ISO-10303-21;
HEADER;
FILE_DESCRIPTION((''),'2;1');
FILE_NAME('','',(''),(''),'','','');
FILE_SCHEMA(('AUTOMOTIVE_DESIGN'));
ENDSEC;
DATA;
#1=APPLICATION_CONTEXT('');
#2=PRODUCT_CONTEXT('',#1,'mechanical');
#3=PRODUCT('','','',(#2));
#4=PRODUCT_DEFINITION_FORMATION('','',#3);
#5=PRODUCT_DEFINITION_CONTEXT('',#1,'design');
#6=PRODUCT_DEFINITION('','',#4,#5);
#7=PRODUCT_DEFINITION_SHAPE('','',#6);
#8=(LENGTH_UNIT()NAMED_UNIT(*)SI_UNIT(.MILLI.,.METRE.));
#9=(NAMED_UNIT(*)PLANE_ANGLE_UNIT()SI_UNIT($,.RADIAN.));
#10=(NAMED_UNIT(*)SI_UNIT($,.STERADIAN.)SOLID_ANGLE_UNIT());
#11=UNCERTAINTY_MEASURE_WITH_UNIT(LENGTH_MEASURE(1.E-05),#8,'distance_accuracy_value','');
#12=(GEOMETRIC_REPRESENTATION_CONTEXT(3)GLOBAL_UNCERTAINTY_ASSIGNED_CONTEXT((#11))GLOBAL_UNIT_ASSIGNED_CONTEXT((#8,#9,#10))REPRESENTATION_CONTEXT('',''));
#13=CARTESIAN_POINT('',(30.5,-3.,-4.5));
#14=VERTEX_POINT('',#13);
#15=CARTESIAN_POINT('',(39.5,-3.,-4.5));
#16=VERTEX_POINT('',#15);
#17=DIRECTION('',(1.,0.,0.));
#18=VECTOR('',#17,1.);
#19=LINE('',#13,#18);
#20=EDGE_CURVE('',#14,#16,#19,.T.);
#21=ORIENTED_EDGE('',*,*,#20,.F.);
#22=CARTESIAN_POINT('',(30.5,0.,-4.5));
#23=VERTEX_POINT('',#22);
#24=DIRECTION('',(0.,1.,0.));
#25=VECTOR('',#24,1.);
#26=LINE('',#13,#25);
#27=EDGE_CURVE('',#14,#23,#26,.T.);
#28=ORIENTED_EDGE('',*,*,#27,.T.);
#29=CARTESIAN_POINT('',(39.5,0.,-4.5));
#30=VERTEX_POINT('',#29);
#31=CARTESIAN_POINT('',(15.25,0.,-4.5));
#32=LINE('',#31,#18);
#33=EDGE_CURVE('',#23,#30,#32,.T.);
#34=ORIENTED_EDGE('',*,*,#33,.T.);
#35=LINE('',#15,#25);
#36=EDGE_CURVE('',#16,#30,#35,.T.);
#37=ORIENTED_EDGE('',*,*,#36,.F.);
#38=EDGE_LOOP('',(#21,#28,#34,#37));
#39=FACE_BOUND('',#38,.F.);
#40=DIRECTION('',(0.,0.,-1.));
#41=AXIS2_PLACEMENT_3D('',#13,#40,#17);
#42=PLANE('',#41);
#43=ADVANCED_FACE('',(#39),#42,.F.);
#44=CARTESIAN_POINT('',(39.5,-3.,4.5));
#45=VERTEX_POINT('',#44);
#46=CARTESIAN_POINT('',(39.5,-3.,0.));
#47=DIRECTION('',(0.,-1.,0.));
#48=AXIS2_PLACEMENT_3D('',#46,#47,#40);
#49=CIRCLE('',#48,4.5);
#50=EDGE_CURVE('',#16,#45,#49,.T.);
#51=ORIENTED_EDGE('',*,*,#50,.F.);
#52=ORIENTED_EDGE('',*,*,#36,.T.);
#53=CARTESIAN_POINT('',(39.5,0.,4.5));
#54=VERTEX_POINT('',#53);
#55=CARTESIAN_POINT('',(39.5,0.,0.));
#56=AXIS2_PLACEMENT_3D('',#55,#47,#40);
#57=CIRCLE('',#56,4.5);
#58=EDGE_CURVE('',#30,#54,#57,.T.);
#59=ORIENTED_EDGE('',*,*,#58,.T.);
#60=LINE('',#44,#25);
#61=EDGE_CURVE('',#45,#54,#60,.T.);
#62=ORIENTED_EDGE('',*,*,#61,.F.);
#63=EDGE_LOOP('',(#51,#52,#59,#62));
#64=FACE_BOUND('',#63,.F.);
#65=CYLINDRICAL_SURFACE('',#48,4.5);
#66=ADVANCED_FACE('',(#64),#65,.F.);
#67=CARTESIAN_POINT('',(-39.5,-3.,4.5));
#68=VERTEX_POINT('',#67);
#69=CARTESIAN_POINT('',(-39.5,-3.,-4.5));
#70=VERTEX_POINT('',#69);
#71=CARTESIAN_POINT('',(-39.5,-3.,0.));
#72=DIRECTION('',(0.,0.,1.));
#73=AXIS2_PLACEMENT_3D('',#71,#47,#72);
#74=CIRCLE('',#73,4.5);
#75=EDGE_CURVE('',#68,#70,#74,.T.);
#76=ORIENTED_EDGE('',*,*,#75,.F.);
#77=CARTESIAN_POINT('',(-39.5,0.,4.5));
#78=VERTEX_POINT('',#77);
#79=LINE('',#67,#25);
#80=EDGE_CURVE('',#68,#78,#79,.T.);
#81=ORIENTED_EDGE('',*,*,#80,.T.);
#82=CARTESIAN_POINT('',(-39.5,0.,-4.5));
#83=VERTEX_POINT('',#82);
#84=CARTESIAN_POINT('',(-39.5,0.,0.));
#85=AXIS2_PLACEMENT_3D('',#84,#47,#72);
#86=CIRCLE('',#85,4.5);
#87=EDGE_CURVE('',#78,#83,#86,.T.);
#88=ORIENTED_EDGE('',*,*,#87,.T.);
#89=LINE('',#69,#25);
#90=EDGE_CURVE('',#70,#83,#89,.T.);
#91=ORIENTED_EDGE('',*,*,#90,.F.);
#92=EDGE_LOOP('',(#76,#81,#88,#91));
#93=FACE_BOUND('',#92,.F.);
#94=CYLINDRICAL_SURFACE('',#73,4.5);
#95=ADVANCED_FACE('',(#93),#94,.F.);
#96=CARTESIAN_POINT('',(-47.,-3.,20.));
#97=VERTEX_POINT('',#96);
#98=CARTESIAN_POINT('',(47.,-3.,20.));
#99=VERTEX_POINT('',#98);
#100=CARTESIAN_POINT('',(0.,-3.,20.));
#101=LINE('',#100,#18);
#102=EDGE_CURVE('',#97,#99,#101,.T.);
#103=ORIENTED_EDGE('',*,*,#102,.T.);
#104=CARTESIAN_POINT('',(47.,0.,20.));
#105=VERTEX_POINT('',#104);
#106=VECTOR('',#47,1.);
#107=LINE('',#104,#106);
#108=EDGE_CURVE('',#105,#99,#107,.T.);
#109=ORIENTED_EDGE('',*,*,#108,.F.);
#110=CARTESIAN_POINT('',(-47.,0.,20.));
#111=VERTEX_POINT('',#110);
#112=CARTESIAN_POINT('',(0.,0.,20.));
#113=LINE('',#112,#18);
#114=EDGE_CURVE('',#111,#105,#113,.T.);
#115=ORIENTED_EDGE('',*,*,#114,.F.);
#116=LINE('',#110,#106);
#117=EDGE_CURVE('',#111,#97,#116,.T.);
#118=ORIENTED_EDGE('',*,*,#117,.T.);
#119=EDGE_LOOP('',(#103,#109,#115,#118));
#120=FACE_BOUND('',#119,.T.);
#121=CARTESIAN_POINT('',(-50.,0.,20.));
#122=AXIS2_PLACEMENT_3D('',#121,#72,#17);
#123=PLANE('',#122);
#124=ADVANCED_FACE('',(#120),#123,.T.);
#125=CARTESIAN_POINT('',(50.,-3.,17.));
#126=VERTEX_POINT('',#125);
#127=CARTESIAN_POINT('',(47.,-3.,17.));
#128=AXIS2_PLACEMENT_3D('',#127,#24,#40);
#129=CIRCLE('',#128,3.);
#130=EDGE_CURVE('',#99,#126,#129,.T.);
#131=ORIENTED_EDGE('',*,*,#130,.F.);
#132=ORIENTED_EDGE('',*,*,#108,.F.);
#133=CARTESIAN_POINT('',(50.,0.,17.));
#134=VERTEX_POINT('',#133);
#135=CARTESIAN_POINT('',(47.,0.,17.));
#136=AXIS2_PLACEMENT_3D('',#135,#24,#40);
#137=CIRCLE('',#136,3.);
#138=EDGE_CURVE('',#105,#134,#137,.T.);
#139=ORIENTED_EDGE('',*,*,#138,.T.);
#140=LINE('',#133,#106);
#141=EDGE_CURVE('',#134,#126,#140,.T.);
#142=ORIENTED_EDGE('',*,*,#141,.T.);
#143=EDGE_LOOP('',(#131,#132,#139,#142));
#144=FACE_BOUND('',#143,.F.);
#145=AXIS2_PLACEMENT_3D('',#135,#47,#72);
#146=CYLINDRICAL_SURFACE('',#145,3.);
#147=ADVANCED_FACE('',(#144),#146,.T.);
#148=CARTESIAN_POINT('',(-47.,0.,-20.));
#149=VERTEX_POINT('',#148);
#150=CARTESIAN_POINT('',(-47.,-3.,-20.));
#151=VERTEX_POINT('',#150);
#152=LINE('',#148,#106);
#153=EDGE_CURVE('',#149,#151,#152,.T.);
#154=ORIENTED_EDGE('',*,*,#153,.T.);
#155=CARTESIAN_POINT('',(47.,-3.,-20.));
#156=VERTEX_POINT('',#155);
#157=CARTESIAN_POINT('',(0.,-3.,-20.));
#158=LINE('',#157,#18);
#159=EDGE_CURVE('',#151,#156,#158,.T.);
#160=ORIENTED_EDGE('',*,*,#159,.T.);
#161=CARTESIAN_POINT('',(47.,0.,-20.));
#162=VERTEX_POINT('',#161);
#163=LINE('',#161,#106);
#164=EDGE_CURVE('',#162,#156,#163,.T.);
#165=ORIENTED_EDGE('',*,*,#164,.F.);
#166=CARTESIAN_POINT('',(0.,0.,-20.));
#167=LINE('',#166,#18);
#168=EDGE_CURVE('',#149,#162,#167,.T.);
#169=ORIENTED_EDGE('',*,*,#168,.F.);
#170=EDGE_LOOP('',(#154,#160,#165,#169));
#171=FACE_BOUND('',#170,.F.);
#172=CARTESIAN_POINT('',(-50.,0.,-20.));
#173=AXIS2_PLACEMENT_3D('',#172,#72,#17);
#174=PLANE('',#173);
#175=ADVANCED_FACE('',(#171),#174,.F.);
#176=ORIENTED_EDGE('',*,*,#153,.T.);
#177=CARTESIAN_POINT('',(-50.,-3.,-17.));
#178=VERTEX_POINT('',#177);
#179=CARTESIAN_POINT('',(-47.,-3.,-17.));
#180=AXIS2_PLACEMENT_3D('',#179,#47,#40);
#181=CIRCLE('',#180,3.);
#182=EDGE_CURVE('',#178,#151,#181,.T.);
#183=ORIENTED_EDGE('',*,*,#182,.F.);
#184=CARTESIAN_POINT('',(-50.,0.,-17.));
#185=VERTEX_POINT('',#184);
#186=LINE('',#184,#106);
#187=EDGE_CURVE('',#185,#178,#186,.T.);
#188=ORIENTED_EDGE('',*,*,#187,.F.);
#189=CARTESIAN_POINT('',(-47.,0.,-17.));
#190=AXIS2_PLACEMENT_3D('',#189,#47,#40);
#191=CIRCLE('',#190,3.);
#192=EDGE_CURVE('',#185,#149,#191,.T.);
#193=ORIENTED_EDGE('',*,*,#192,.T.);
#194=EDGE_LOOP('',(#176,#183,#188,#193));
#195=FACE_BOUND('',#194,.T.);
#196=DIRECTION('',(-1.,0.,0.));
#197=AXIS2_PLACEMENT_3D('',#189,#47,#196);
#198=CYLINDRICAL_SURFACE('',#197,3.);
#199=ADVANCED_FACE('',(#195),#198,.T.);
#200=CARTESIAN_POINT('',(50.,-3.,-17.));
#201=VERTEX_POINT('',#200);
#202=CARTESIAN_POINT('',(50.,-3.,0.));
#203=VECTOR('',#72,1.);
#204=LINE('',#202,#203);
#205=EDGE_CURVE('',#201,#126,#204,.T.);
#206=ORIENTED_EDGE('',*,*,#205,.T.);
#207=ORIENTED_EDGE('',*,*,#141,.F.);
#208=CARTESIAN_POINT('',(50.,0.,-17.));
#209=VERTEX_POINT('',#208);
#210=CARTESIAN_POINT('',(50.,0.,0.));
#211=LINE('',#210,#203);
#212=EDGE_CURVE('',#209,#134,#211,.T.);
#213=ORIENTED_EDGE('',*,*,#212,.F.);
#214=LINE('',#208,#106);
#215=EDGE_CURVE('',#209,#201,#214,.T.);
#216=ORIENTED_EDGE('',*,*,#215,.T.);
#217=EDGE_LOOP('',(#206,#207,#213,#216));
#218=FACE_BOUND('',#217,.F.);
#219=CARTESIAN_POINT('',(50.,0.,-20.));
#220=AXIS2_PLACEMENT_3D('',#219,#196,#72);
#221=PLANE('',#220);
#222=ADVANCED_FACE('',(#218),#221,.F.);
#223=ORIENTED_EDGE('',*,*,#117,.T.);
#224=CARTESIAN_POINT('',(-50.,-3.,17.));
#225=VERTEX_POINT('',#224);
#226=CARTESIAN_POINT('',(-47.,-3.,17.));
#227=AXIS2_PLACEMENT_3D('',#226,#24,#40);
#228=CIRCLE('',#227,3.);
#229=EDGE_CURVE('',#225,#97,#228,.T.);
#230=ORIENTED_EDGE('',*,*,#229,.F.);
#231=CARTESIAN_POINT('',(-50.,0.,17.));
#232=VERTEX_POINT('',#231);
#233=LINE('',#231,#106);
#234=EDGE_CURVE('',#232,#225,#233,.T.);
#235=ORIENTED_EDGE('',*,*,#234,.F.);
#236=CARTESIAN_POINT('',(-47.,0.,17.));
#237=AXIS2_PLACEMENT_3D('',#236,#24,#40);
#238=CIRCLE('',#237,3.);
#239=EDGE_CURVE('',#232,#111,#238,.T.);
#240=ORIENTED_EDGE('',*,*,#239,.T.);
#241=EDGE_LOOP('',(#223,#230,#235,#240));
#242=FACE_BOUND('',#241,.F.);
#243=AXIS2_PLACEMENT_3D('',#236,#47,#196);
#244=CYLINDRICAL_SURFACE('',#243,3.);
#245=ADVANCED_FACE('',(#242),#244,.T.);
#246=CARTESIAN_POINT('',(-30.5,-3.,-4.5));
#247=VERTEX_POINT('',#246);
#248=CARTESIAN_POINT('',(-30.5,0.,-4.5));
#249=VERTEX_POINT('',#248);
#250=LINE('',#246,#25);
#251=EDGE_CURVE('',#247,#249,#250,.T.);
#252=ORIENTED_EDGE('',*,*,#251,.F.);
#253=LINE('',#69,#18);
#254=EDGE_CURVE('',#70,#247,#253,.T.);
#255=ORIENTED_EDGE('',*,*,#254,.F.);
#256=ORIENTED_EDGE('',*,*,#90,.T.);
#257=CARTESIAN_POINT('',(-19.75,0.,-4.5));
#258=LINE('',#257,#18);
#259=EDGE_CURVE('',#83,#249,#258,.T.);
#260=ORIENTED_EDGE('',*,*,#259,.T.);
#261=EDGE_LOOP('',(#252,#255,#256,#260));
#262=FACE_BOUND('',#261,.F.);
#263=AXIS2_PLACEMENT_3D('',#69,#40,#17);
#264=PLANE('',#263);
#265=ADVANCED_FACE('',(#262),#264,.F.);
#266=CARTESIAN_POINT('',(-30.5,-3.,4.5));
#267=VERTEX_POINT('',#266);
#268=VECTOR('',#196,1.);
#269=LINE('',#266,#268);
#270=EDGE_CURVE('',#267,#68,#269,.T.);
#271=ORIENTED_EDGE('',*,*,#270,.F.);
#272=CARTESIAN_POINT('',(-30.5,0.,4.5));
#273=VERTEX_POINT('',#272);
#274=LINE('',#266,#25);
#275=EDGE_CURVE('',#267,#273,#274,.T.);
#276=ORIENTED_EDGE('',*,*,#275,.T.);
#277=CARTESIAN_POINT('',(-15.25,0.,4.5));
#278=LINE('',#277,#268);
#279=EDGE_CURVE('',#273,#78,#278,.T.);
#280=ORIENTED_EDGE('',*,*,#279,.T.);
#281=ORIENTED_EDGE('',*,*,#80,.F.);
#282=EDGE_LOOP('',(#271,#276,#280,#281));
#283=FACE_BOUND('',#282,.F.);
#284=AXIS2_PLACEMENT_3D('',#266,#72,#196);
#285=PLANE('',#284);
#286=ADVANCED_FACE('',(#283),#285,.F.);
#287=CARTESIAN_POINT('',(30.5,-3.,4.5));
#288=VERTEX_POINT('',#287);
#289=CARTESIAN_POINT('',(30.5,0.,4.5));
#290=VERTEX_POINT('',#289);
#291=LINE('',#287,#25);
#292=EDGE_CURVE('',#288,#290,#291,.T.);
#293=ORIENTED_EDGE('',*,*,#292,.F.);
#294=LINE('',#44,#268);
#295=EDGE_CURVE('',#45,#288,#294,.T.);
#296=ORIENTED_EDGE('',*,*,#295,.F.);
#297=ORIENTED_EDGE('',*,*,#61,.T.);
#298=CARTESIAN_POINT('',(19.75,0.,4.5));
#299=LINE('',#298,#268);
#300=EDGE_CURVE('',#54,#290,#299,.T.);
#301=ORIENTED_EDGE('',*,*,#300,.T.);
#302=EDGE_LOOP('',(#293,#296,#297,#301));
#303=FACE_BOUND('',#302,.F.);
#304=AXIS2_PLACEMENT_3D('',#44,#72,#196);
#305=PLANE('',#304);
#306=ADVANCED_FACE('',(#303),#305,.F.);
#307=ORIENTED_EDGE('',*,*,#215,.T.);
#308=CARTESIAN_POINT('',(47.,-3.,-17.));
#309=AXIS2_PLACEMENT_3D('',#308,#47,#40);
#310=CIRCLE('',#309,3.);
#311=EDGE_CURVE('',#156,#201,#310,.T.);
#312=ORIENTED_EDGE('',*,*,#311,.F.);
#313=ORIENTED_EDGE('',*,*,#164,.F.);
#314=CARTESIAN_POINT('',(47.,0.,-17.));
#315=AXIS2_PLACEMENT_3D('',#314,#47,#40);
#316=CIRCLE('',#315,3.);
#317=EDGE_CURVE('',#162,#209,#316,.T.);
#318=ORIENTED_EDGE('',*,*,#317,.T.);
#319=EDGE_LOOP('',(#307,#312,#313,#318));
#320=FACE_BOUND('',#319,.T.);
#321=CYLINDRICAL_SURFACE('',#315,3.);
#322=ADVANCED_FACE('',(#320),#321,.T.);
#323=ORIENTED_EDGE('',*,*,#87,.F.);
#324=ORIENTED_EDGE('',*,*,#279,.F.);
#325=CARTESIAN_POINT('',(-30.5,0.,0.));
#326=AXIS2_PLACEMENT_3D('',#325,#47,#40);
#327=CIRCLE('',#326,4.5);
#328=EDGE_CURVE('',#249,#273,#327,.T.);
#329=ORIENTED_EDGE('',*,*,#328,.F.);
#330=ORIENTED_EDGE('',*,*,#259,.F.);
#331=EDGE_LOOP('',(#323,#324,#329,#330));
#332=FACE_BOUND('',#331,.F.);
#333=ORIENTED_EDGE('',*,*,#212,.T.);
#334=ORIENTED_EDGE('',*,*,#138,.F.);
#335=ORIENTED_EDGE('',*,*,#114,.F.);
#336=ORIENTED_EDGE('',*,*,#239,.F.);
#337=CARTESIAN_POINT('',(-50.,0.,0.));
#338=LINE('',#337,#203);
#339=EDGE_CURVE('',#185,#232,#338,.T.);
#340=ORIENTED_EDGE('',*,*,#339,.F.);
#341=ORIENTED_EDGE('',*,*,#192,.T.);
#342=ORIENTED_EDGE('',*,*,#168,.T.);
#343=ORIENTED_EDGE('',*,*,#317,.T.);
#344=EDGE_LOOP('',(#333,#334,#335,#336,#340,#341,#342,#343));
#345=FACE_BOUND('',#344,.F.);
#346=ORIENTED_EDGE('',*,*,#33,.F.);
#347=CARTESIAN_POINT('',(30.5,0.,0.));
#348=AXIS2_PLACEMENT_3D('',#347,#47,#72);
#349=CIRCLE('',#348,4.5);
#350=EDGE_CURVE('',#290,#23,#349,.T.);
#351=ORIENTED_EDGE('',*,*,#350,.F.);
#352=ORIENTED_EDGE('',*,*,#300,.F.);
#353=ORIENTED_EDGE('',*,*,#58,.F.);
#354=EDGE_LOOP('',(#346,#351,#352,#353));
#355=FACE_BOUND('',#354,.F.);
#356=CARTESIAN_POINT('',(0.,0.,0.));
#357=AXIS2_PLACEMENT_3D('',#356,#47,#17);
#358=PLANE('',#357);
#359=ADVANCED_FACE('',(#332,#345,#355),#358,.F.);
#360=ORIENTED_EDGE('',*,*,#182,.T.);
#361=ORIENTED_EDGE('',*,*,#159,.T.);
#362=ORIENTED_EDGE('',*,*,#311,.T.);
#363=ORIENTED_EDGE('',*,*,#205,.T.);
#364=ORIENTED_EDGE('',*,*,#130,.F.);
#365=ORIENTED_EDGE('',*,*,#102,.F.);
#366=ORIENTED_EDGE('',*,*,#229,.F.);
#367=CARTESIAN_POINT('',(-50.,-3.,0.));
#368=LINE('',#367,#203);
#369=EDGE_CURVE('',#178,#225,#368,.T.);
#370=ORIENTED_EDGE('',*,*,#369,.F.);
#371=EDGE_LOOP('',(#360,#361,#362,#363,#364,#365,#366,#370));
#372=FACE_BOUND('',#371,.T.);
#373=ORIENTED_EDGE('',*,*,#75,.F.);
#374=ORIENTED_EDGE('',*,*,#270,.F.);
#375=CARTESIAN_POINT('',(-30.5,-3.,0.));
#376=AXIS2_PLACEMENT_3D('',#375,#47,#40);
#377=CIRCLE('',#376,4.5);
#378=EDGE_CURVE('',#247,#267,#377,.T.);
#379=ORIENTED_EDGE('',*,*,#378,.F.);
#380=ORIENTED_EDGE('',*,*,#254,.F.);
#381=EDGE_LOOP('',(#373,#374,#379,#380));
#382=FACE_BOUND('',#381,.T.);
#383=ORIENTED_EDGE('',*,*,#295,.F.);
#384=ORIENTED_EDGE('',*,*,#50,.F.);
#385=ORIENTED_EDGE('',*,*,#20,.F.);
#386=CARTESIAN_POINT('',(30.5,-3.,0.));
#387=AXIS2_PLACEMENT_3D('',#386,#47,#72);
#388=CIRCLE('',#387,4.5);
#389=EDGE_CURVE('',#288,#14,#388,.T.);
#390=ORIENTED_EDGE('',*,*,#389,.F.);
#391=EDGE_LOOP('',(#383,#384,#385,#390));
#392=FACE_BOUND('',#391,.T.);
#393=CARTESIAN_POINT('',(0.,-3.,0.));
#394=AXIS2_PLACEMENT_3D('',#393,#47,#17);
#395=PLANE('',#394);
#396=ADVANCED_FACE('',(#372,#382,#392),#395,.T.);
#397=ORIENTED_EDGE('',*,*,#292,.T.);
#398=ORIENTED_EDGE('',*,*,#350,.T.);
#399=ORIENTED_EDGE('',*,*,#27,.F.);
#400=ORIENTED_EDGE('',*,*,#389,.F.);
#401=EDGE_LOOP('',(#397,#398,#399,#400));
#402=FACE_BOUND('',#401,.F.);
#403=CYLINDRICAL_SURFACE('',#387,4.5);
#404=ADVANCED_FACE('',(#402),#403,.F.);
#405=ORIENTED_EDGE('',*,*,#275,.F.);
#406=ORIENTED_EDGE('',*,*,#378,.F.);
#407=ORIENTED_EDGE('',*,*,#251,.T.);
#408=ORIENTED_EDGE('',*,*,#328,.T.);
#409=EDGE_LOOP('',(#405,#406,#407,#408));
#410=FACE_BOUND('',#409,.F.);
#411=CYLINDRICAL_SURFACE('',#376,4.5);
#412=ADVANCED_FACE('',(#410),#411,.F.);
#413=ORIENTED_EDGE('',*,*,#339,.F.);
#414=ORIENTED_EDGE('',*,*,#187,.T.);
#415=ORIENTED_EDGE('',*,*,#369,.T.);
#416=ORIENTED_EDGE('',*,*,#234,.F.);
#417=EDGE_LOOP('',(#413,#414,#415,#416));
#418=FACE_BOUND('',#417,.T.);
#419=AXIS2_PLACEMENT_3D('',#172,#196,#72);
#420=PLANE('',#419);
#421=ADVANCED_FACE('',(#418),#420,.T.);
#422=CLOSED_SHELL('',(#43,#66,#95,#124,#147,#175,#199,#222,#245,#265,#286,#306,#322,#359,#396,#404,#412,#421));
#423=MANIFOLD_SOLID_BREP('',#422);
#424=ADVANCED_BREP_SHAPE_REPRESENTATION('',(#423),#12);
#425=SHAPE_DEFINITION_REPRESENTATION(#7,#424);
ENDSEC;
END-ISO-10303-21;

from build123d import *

# Parameters (mm, degrees)
F0_W     = 100
F0_H     = 40
F1_DEPTH = 3
F3_DEPTH = 25
F4_R     = 3


with BuildPart() as f1:
    # F0 (on Front) → F1 (new body)
    with BuildSketch(Plane.XZ):
        Rectangle(F0_W, F0_H)
    extrude(amount=F1_DEPTH)

    # F2 (on face) → F3 (cut)
    with BuildSketch(Plane.XZ.offset(3)):
        with BuildLine():
            ThreePointArc((39.5, -4.5), (44, 0), (39.5, 4.5))
            Line((39.5, 4.5), (30.5, 4.5))
            ThreePointArc((30.5, 4.5), (26, 0), (30.5, -4.5))
            Line((30.5, -4.5), (39.5, -4.5))
        make_face()
        with BuildLine():
            ThreePointArc((-39.5, 4.5), (-44, 0), (-39.5, -4.5))
            Line((-39.5, -4.5), (-30.5, -4.5))
            ThreePointArc((-30.5, -4.5), (-26, 0), (-30.5, 4.5))
            Line((-30.5, 4.5), (-39.5, 4.5))
        make_face()
    extrude(amount=-F3_DEPTH, mode=Mode.SUBTRACT)

    # F4
    f4_edges = [f1.edges().sort_by_distance(p)[0] for p in [
        (50, -1.5, -20),
        (50, -1.5, 20),
        (-50, -1.5, 20),
        (-50, -1.5, -20),
    ]]
    fillet(f4_edges, radius=F4_R)


solid = f1.part
